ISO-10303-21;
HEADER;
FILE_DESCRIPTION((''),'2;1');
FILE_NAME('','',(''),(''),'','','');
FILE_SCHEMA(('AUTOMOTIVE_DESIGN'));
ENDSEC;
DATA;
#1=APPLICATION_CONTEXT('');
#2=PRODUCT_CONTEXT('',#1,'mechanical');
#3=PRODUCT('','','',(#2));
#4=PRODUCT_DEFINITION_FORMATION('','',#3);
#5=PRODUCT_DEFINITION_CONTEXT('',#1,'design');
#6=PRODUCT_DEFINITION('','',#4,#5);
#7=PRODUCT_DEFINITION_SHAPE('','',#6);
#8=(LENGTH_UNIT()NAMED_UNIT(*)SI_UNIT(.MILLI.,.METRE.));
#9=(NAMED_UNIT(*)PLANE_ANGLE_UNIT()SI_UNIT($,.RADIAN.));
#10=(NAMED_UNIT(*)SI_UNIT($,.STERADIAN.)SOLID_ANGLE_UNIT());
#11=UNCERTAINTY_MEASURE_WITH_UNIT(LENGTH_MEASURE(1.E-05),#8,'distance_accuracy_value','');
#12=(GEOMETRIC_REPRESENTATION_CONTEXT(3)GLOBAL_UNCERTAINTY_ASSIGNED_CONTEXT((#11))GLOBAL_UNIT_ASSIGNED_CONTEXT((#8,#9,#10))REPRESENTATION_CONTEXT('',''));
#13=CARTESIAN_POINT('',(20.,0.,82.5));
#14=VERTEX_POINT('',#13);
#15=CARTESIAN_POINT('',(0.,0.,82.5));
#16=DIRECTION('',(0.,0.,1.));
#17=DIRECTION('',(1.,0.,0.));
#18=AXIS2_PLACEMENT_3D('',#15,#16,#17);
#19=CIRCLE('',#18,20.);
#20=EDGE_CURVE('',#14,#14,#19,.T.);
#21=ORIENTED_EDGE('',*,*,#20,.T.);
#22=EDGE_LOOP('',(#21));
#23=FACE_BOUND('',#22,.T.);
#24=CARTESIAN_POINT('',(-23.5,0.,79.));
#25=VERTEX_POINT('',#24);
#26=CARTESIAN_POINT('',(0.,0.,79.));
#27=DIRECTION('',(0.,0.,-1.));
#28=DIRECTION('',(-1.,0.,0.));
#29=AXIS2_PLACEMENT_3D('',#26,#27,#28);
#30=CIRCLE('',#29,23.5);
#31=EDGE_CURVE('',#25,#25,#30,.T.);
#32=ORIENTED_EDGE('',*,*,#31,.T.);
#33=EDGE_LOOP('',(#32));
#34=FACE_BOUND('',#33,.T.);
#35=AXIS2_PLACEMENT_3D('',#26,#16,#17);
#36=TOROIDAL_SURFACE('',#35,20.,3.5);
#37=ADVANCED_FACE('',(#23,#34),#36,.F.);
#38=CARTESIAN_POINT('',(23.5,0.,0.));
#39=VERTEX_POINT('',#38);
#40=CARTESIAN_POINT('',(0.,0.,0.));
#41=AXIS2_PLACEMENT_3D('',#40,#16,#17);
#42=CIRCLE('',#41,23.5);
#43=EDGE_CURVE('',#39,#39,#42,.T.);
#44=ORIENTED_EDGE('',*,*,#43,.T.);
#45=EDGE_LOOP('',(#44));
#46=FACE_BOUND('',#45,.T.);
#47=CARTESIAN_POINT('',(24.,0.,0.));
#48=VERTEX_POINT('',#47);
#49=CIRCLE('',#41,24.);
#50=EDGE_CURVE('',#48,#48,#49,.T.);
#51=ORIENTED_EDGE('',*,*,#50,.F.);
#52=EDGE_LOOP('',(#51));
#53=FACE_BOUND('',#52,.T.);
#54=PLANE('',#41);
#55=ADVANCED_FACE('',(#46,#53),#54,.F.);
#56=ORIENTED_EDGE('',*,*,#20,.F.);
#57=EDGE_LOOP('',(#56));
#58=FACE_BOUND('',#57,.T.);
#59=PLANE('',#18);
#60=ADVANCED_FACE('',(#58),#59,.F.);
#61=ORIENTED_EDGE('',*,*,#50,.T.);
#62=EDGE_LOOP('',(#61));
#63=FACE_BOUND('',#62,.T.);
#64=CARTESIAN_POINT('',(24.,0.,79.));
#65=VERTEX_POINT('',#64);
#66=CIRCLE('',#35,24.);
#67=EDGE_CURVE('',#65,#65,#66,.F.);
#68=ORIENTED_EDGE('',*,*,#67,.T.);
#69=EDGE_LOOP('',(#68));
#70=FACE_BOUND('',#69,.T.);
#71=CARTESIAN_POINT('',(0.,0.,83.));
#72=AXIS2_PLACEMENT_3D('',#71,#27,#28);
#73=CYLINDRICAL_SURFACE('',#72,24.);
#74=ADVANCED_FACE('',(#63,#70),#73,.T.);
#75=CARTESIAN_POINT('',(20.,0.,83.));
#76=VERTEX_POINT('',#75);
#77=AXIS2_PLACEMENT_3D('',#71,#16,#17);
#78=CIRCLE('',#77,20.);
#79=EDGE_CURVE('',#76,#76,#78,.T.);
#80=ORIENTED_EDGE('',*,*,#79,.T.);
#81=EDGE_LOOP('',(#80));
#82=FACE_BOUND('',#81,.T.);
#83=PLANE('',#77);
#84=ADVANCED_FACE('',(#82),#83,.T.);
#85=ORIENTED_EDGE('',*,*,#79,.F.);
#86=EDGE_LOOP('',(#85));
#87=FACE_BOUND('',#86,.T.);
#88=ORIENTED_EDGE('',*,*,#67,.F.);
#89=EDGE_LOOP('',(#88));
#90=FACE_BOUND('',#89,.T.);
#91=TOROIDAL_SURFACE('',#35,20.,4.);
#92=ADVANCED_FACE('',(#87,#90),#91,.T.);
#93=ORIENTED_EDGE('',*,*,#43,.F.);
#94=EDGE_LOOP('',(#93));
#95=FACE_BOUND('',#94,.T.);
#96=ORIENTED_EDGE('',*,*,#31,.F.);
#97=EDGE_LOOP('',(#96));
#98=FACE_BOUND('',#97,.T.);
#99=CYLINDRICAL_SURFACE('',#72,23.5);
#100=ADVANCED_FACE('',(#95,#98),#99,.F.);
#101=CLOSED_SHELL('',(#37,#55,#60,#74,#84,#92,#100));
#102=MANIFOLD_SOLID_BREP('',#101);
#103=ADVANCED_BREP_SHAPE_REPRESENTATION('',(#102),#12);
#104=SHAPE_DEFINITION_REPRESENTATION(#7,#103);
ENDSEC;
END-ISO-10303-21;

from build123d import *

# Parameters (mm, degrees)
SKETCH_1_R      = 24
EXTRUDE_1_DEPTH = 83
FILLET_1_R      = 4
SHELL_1_T       = -0.5


with BuildPart() as part:
    # ｽｹｯﾁ1 → ﾎﾞｽ - 押し出し1 (new body)
    with BuildSketch(Plane.XY):
        Circle(SKETCH_1_R)
    extrude(amount=EXTRUDE_1_DEPTH)

    # ﾌｨﾚｯﾄ1
    fillet_1_edges = [part.edges().sort_by_distance(p)[0] for p in [
        (-24, 0, 83),
    ]]
    fillet(fillet_1_edges, radius=FILLET_1_R)

    # ｼｪﾙ1
    shell_1_openings = [part.faces().sort_by_distance(p)[0] for p in [
        (0, 0, 0),
    ]]
    offset(amount=SHELL_1_T, openings=shell_1_openings, kind=Kind.INTERSECTION)


solid = part.part
